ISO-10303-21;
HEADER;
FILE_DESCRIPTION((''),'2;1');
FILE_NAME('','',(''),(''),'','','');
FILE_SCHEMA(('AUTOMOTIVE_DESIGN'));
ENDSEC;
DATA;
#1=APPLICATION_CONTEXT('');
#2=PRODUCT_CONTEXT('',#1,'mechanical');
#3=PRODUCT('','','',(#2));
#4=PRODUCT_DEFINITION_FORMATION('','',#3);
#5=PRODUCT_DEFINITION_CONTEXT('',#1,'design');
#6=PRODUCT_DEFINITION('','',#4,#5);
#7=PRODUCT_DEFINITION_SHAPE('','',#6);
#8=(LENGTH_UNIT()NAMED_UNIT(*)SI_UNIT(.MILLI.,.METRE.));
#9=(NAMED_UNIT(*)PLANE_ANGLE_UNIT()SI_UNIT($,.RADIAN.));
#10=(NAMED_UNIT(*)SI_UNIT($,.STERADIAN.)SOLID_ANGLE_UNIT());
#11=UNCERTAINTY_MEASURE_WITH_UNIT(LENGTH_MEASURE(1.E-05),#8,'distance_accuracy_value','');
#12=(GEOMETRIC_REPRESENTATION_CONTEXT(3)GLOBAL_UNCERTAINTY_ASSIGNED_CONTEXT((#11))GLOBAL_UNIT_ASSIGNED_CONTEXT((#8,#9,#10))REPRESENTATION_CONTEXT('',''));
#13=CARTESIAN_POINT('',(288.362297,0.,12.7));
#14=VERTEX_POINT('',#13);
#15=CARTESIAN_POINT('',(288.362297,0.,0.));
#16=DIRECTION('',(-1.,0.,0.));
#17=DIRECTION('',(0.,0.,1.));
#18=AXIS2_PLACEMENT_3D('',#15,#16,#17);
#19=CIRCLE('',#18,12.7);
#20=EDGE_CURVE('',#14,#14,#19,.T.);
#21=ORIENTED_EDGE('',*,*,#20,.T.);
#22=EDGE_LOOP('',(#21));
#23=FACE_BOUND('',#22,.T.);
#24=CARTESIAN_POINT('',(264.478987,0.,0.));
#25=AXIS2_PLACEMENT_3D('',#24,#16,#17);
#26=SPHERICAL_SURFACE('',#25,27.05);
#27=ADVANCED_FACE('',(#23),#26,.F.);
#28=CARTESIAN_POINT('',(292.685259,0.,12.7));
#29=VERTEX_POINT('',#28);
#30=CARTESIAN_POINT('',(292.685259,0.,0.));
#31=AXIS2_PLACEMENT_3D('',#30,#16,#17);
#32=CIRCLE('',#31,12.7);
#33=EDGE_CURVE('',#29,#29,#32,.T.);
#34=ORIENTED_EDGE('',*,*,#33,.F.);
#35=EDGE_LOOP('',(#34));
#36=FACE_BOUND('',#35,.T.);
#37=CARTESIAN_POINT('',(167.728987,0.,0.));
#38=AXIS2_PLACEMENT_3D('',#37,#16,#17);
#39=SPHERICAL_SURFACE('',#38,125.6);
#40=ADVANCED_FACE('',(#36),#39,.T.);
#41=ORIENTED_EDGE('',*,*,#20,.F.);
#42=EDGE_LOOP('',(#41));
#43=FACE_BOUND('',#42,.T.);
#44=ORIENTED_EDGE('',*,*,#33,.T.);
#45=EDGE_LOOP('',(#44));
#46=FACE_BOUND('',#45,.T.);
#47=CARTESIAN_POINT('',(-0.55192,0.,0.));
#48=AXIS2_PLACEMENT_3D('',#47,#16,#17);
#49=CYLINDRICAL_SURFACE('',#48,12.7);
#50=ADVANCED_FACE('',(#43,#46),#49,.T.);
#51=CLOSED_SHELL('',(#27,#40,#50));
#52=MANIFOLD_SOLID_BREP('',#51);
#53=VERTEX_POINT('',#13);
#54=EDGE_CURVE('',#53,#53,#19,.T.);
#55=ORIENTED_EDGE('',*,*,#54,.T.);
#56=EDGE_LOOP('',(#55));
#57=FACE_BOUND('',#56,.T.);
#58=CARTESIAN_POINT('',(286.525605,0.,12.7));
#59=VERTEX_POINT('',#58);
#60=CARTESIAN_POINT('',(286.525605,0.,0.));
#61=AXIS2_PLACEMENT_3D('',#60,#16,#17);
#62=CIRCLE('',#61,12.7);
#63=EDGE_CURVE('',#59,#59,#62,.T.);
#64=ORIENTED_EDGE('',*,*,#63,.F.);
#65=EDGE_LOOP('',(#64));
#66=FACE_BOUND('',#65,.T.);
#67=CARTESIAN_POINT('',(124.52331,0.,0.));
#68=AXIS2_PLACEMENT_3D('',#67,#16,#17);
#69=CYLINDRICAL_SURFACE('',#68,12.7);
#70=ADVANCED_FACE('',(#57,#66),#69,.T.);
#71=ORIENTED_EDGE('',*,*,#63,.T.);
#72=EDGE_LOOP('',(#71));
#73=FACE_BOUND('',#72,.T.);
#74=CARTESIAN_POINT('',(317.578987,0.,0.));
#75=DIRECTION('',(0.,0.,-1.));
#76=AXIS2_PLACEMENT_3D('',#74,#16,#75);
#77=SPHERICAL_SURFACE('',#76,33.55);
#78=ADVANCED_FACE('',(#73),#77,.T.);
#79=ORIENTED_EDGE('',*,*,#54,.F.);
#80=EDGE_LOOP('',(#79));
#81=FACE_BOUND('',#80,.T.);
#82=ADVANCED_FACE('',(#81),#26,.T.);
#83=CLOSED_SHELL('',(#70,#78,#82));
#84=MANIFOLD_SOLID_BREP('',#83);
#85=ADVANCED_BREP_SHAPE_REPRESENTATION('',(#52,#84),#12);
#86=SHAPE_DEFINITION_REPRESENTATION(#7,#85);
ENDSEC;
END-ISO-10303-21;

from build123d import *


with BuildPart() as part:
    # 草图1 one side → 旋转1 (revolve)
    with BuildSketch(Plane(origin=(0, 0, 0), x_dir=(1, 0, 0), z_dir=(0, 1, 0)), mode=Mode.PRIVATE) as revolve_1_sk:
        with BuildLine():
            ThreePointArc((286.525605096, 12.7), (284.659057576, 6.471535833), (284.028986555, 0))
            Line((284.028986555, 0), (291.528986555, 0))
            ThreePointArc((291.528986555, 0), (290.725377139, 6.544423678), (288.362296627, 12.7))
            Line((288.362296627, 12.7), (286.525605096, 12.7))
        make_face()
    revolve(revolve_1_sk.sketch.rotate(Axis((124.523309526, 0, 0), (1, 0, 0)), 180), axis=Axis((124.523309526, 0, 0), (1, 0, 0)))  # turned: the seam where the file's is


with BuildPart() as body_2:
    # 草图2 one side → 旋转3 (revolve)
    with BuildSketch(Plane(origin=(0, 0, 0), x_dir=(1, 0, 0), z_dir=(0, 1, 0)), mode=Mode.PRIVATE) as revolve_3_sk:
        with BuildLine():
            Line((292.685258906, 12.7), (288.362296627, 12.7))
            ThreePointArc((288.362296627, 12.7), (290.725377139, 6.544423678), (291.528986555, 0))
            Line((291.528986555, 0), (293.328986555, 0))
            ThreePointArc((293.328986555, 0), (293.167951409, 6.358151958), (292.685258906, 12.7))
        make_face()
    revolve(revolve_3_sk.sketch.rotate(Axis((-0.551919993, 0, 0), (1, 0, 0)), 180), axis=Axis((-0.551919993, 0, 0), (1, 0, 0)))  # turned: the seam where the file's is


solid = Compound([part.part, body_2.part])
